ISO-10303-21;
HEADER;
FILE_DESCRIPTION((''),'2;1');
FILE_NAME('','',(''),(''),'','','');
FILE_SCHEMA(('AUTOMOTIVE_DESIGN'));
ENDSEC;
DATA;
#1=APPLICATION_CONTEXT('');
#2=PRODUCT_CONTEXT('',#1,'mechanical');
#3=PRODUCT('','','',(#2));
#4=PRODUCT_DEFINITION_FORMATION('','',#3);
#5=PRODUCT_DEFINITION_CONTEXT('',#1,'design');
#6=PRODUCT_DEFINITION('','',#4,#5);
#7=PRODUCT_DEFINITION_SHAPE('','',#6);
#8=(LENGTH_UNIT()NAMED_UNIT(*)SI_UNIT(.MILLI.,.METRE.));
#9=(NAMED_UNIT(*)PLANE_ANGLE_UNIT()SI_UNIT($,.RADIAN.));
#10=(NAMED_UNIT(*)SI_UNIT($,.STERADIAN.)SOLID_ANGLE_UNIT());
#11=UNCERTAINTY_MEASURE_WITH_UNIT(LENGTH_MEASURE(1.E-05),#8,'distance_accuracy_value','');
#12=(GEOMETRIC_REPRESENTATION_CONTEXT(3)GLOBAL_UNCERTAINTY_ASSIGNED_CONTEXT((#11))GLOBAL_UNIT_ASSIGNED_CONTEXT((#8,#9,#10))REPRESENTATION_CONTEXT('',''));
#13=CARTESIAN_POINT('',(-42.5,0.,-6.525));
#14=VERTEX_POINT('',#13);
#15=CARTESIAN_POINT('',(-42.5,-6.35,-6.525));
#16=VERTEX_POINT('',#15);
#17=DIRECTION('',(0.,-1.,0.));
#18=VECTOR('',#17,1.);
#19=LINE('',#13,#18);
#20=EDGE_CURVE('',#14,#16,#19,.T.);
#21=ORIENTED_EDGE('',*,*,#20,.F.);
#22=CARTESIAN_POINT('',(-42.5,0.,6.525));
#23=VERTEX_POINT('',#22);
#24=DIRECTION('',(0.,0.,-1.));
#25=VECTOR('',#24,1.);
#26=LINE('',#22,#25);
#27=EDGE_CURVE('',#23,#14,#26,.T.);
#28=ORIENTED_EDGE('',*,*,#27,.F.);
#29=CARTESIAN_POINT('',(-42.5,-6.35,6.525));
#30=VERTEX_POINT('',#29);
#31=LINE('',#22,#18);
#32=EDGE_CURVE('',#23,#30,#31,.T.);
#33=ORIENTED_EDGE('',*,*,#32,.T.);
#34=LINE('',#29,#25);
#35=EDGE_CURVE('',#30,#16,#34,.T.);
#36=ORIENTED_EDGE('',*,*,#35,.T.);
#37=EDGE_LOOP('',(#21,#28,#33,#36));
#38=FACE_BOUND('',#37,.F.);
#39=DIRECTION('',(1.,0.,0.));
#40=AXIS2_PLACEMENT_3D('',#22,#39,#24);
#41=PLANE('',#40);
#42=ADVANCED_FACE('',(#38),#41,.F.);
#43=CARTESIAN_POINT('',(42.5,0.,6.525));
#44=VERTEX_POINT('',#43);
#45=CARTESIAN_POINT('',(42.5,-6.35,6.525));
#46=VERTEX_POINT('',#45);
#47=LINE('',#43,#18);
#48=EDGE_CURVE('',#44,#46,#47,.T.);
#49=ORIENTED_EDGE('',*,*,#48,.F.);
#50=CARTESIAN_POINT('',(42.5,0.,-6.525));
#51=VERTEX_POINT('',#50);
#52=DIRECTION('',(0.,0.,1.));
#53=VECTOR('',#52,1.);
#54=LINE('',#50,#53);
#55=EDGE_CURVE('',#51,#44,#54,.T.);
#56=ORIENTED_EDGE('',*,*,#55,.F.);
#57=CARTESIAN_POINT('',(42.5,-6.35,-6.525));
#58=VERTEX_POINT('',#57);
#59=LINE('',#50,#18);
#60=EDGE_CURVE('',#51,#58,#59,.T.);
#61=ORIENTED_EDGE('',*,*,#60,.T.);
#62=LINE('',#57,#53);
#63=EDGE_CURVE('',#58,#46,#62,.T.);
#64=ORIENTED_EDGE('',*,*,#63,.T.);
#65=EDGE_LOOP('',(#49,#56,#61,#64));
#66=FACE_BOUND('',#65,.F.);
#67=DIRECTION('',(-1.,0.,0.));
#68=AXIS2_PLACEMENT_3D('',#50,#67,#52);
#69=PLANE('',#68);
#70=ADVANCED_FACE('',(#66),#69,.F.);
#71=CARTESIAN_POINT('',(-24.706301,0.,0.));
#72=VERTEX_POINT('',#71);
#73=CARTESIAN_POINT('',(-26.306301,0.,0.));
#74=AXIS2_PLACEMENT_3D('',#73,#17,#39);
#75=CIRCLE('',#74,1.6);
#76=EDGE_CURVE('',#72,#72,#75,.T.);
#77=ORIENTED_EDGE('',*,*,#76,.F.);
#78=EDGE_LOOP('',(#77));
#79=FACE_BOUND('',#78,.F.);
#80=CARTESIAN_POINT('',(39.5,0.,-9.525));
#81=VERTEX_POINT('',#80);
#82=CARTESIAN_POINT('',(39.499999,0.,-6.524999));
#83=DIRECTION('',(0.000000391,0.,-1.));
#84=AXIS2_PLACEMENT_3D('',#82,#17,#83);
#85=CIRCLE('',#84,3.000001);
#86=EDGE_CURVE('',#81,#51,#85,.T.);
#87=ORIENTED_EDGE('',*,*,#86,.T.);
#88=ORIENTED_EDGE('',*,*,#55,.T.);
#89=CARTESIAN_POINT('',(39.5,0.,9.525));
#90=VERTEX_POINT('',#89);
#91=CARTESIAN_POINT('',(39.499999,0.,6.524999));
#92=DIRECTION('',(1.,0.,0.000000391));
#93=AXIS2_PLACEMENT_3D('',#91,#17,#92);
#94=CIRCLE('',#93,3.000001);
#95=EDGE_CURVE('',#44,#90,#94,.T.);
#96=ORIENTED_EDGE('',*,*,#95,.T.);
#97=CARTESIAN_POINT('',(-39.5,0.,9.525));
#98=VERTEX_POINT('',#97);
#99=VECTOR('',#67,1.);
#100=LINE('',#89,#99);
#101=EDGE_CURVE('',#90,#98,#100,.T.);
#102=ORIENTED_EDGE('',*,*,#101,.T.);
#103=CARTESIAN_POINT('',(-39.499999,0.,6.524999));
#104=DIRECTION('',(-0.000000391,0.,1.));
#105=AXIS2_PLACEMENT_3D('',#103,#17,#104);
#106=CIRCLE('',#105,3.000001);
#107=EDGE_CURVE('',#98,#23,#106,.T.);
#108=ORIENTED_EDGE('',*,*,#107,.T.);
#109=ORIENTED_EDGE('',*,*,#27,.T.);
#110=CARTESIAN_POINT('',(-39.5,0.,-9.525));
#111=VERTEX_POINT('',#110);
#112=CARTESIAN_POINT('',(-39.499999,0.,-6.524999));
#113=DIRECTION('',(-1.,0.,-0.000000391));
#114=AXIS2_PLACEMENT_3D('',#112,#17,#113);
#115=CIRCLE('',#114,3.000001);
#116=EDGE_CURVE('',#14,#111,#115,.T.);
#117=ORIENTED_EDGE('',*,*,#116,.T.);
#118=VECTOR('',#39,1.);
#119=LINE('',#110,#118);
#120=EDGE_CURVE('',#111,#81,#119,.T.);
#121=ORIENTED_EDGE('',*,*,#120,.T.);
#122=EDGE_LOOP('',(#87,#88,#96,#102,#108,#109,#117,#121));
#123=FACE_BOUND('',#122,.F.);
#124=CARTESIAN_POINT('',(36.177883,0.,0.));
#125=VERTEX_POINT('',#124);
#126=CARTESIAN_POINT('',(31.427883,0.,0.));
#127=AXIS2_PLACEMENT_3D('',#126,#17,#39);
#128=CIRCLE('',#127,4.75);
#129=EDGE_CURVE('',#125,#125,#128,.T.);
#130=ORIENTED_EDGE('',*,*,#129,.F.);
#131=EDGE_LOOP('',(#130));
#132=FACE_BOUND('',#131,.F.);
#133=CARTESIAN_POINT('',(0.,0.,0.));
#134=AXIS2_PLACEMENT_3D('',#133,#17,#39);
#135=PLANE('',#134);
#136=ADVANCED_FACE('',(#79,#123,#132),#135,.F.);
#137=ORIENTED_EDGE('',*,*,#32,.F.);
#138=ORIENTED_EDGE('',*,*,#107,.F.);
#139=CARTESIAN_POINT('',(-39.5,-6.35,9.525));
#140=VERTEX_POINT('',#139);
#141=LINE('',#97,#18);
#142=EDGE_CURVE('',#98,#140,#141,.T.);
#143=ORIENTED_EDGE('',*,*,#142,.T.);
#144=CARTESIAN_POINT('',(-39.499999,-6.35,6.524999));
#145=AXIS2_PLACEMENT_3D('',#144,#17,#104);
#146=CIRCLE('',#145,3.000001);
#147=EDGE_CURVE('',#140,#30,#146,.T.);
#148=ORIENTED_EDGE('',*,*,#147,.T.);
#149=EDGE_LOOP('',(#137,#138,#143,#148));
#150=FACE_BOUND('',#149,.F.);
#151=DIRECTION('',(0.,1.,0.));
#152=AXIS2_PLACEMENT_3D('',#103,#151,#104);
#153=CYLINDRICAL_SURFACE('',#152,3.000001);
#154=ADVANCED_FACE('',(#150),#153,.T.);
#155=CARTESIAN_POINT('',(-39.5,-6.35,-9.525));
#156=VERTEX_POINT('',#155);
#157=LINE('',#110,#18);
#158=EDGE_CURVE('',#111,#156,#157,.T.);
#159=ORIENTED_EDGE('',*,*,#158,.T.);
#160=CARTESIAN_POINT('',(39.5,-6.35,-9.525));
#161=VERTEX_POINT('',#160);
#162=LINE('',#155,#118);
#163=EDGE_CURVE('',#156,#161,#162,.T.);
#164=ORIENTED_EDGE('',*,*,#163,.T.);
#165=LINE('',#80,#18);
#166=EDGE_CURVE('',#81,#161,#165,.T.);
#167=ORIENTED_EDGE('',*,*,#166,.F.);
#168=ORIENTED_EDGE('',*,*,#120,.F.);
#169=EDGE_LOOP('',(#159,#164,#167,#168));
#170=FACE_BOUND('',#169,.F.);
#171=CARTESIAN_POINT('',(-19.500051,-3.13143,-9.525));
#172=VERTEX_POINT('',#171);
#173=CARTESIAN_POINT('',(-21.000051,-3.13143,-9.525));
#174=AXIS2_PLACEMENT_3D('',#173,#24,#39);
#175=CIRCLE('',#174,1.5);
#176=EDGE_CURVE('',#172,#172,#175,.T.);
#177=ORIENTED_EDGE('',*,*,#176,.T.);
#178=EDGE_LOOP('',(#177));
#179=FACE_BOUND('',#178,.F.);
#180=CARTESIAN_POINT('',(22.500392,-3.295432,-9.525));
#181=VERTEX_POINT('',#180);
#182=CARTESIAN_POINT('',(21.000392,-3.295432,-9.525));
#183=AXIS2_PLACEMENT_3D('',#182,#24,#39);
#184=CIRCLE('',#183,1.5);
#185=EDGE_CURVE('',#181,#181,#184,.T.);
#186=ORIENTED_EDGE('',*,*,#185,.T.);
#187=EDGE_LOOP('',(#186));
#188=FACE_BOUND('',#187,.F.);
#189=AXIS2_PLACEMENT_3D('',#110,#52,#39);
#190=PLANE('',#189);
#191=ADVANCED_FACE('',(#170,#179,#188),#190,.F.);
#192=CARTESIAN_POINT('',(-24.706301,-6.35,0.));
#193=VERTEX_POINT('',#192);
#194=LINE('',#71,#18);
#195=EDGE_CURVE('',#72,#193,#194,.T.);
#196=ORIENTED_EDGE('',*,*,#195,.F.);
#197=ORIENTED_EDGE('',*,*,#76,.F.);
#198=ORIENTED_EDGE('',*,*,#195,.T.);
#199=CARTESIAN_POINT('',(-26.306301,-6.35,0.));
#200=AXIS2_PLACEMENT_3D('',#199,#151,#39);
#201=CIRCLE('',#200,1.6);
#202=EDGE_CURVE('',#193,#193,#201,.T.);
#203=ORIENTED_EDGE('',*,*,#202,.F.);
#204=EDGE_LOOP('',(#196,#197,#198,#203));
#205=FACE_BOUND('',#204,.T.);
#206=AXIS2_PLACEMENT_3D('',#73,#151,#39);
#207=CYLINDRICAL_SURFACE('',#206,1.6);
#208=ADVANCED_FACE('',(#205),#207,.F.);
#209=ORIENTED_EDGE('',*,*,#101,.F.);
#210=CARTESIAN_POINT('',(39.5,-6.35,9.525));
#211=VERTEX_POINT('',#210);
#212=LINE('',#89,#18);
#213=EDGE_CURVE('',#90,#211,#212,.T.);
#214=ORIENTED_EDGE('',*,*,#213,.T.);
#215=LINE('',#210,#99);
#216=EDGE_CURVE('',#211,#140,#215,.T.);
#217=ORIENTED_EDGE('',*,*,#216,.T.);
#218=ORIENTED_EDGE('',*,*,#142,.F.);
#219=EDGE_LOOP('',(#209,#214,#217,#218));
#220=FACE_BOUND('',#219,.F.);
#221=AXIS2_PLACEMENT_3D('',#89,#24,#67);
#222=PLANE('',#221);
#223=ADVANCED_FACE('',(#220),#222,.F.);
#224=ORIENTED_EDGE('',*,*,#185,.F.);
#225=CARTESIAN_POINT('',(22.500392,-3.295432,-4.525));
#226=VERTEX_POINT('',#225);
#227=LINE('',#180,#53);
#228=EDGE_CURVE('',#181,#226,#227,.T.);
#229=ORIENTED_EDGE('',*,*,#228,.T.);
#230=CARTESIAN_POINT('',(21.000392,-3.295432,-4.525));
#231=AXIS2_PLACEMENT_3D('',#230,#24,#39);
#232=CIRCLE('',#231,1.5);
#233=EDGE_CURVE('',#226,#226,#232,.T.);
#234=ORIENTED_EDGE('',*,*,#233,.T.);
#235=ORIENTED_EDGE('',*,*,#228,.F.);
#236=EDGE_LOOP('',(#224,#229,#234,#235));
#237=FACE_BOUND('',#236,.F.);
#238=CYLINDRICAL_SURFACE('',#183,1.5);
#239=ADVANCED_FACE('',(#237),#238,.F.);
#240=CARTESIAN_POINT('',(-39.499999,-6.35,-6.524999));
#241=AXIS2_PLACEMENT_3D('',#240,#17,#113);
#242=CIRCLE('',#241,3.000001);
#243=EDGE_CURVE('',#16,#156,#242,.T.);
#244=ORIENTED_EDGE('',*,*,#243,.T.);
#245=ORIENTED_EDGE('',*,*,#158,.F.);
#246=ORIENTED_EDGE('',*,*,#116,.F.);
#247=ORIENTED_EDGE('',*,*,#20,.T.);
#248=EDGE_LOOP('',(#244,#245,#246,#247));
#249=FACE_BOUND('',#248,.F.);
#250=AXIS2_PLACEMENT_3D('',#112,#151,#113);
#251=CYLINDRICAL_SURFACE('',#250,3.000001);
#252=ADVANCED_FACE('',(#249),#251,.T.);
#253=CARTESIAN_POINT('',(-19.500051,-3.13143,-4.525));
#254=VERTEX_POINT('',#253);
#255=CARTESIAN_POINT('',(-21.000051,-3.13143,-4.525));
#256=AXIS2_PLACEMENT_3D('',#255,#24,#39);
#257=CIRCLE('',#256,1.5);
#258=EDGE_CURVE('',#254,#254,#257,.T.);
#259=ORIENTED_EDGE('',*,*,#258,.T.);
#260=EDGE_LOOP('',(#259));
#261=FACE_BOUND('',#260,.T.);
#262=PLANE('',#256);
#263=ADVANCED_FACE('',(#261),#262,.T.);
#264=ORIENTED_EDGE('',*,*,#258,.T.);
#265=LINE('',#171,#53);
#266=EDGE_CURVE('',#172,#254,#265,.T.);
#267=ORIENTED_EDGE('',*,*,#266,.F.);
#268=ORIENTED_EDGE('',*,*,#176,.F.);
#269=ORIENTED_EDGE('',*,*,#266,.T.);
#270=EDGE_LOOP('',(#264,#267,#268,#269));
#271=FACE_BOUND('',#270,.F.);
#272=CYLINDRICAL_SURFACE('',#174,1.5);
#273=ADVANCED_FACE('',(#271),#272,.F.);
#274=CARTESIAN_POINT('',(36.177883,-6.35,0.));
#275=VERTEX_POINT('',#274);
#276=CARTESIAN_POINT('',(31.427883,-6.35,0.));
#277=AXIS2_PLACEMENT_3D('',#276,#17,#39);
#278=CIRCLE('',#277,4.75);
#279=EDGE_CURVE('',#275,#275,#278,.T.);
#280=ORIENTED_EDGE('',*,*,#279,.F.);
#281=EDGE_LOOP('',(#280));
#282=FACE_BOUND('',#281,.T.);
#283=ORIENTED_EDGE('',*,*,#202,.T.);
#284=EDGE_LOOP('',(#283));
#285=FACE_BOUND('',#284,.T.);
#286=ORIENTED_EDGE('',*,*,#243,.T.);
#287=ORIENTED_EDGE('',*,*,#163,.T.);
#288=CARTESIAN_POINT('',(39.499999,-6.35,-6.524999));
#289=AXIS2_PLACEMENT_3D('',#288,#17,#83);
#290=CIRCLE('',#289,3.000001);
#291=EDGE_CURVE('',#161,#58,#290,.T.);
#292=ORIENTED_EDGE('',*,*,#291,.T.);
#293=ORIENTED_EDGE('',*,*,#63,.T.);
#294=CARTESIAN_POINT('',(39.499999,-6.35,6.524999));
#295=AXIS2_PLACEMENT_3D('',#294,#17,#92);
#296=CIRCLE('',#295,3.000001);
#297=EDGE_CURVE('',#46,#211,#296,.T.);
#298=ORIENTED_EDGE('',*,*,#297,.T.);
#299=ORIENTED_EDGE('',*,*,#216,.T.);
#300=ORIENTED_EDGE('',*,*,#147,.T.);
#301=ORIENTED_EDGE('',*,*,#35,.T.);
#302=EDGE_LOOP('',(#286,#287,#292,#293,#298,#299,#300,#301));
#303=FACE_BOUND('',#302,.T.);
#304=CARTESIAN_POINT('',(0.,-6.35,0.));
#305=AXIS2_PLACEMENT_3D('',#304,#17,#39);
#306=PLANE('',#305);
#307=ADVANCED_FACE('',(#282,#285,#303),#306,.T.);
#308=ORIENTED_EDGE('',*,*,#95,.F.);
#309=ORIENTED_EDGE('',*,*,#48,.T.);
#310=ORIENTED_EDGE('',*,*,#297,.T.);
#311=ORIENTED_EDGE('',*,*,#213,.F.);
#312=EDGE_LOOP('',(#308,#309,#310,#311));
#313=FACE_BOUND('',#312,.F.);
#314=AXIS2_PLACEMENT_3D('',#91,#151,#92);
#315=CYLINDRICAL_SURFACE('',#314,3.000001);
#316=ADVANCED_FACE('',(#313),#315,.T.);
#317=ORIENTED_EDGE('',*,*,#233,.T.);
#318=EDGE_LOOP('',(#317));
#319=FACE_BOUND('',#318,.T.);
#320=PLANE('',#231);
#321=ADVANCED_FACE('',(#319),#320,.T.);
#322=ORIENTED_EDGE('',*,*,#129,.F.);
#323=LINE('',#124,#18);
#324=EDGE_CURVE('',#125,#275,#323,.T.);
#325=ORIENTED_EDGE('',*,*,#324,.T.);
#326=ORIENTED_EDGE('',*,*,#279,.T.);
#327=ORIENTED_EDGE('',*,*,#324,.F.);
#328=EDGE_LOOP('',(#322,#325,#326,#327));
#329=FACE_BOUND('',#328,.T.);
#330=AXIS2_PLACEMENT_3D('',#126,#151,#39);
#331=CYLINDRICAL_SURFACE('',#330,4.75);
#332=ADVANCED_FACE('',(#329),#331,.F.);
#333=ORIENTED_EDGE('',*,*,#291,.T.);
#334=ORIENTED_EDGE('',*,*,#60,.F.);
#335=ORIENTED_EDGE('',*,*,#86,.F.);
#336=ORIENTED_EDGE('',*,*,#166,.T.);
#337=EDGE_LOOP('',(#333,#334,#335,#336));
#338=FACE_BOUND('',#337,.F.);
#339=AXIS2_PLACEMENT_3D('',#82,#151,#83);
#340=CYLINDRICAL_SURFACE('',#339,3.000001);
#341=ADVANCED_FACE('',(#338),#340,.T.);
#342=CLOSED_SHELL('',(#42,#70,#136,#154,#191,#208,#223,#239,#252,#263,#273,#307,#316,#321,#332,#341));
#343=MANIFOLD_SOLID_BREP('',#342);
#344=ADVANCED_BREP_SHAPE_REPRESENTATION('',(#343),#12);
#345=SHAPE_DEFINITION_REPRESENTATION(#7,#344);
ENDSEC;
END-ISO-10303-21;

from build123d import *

# Parameters (mm, degrees)
F0_R     = 1.6
F0_R_2   = 4.75
F1_DEPTH = 6.35
F2_R     = 1.5
F3_DEPTH = 5
F4_DEPTH = 25
F5_DEPTH = 25


with BuildPart() as f1:
    # F0 (on Front) → F1 (new body)
    with BuildSketch(Plane.XZ):
        with BuildLine():
            Line((39.5, 9.525), (-39.5, 9.525))
            ThreePointArc((-39.5, 9.525), (-41.62132, 8.64632), (-42.5, 6.525))
            Line((-42.5, 6.525), (-42.5, -6.525))
            ThreePointArc((-42.5, -6.525), (-41.62132, -8.64632), (-39.5, -9.525))
            Line((-39.5, -9.525), (39.5, -9.525))
            ThreePointArc((39.5, -9.525), (41.62132, -8.64632), (42.5, -6.525))
            Line((42.5, -6.525), (42.5, 6.525))
            ThreePointArc((42.5, 6.525), (41.62132, 8.64632), (39.5, 9.525))
        make_face()
        with Locations((-26.306301, 0)):
            Circle(F0_R, mode=Mode.SUBTRACT)
        with Locations((31.427883, 0)):
            Circle(F0_R_2, mode=Mode.SUBTRACT)
        with Locations((-26.306301, 0)):
            Circle(F0_R)
    extrude(amount=F1_DEPTH)

    # F2 (on face) → F3 (cut)
    with BuildSketch(Plane(origin=(0, 0, -9.525), x_dir=(1, 0, 0), z_dir=(0, 0, -1))):
        with Locations((-21.000051, 3.13143)):
            Circle(F2_R)
        with Locations((21.000392, 3.295432)):
            Circle(F2_R)
    extrude(amount=-F3_DEPTH, mode=Mode.SUBTRACT)

    # F0 (on Front) → F4 (cut)
    with BuildSketch(Plane.XZ):
        with Locations((-26.306301, 0)):
            Circle(F0_R)
    extrude(amount=-F4_DEPTH, mode=Mode.SUBTRACT)

    # F0 (on Front) → F5 (cut)
    with BuildSketch(Plane.XZ):
        with Locations((-26.306301, 0)):
            Circle(F0_R)
    extrude(amount=F5_DEPTH, mode=Mode.SUBTRACT)


solid = f1.part
